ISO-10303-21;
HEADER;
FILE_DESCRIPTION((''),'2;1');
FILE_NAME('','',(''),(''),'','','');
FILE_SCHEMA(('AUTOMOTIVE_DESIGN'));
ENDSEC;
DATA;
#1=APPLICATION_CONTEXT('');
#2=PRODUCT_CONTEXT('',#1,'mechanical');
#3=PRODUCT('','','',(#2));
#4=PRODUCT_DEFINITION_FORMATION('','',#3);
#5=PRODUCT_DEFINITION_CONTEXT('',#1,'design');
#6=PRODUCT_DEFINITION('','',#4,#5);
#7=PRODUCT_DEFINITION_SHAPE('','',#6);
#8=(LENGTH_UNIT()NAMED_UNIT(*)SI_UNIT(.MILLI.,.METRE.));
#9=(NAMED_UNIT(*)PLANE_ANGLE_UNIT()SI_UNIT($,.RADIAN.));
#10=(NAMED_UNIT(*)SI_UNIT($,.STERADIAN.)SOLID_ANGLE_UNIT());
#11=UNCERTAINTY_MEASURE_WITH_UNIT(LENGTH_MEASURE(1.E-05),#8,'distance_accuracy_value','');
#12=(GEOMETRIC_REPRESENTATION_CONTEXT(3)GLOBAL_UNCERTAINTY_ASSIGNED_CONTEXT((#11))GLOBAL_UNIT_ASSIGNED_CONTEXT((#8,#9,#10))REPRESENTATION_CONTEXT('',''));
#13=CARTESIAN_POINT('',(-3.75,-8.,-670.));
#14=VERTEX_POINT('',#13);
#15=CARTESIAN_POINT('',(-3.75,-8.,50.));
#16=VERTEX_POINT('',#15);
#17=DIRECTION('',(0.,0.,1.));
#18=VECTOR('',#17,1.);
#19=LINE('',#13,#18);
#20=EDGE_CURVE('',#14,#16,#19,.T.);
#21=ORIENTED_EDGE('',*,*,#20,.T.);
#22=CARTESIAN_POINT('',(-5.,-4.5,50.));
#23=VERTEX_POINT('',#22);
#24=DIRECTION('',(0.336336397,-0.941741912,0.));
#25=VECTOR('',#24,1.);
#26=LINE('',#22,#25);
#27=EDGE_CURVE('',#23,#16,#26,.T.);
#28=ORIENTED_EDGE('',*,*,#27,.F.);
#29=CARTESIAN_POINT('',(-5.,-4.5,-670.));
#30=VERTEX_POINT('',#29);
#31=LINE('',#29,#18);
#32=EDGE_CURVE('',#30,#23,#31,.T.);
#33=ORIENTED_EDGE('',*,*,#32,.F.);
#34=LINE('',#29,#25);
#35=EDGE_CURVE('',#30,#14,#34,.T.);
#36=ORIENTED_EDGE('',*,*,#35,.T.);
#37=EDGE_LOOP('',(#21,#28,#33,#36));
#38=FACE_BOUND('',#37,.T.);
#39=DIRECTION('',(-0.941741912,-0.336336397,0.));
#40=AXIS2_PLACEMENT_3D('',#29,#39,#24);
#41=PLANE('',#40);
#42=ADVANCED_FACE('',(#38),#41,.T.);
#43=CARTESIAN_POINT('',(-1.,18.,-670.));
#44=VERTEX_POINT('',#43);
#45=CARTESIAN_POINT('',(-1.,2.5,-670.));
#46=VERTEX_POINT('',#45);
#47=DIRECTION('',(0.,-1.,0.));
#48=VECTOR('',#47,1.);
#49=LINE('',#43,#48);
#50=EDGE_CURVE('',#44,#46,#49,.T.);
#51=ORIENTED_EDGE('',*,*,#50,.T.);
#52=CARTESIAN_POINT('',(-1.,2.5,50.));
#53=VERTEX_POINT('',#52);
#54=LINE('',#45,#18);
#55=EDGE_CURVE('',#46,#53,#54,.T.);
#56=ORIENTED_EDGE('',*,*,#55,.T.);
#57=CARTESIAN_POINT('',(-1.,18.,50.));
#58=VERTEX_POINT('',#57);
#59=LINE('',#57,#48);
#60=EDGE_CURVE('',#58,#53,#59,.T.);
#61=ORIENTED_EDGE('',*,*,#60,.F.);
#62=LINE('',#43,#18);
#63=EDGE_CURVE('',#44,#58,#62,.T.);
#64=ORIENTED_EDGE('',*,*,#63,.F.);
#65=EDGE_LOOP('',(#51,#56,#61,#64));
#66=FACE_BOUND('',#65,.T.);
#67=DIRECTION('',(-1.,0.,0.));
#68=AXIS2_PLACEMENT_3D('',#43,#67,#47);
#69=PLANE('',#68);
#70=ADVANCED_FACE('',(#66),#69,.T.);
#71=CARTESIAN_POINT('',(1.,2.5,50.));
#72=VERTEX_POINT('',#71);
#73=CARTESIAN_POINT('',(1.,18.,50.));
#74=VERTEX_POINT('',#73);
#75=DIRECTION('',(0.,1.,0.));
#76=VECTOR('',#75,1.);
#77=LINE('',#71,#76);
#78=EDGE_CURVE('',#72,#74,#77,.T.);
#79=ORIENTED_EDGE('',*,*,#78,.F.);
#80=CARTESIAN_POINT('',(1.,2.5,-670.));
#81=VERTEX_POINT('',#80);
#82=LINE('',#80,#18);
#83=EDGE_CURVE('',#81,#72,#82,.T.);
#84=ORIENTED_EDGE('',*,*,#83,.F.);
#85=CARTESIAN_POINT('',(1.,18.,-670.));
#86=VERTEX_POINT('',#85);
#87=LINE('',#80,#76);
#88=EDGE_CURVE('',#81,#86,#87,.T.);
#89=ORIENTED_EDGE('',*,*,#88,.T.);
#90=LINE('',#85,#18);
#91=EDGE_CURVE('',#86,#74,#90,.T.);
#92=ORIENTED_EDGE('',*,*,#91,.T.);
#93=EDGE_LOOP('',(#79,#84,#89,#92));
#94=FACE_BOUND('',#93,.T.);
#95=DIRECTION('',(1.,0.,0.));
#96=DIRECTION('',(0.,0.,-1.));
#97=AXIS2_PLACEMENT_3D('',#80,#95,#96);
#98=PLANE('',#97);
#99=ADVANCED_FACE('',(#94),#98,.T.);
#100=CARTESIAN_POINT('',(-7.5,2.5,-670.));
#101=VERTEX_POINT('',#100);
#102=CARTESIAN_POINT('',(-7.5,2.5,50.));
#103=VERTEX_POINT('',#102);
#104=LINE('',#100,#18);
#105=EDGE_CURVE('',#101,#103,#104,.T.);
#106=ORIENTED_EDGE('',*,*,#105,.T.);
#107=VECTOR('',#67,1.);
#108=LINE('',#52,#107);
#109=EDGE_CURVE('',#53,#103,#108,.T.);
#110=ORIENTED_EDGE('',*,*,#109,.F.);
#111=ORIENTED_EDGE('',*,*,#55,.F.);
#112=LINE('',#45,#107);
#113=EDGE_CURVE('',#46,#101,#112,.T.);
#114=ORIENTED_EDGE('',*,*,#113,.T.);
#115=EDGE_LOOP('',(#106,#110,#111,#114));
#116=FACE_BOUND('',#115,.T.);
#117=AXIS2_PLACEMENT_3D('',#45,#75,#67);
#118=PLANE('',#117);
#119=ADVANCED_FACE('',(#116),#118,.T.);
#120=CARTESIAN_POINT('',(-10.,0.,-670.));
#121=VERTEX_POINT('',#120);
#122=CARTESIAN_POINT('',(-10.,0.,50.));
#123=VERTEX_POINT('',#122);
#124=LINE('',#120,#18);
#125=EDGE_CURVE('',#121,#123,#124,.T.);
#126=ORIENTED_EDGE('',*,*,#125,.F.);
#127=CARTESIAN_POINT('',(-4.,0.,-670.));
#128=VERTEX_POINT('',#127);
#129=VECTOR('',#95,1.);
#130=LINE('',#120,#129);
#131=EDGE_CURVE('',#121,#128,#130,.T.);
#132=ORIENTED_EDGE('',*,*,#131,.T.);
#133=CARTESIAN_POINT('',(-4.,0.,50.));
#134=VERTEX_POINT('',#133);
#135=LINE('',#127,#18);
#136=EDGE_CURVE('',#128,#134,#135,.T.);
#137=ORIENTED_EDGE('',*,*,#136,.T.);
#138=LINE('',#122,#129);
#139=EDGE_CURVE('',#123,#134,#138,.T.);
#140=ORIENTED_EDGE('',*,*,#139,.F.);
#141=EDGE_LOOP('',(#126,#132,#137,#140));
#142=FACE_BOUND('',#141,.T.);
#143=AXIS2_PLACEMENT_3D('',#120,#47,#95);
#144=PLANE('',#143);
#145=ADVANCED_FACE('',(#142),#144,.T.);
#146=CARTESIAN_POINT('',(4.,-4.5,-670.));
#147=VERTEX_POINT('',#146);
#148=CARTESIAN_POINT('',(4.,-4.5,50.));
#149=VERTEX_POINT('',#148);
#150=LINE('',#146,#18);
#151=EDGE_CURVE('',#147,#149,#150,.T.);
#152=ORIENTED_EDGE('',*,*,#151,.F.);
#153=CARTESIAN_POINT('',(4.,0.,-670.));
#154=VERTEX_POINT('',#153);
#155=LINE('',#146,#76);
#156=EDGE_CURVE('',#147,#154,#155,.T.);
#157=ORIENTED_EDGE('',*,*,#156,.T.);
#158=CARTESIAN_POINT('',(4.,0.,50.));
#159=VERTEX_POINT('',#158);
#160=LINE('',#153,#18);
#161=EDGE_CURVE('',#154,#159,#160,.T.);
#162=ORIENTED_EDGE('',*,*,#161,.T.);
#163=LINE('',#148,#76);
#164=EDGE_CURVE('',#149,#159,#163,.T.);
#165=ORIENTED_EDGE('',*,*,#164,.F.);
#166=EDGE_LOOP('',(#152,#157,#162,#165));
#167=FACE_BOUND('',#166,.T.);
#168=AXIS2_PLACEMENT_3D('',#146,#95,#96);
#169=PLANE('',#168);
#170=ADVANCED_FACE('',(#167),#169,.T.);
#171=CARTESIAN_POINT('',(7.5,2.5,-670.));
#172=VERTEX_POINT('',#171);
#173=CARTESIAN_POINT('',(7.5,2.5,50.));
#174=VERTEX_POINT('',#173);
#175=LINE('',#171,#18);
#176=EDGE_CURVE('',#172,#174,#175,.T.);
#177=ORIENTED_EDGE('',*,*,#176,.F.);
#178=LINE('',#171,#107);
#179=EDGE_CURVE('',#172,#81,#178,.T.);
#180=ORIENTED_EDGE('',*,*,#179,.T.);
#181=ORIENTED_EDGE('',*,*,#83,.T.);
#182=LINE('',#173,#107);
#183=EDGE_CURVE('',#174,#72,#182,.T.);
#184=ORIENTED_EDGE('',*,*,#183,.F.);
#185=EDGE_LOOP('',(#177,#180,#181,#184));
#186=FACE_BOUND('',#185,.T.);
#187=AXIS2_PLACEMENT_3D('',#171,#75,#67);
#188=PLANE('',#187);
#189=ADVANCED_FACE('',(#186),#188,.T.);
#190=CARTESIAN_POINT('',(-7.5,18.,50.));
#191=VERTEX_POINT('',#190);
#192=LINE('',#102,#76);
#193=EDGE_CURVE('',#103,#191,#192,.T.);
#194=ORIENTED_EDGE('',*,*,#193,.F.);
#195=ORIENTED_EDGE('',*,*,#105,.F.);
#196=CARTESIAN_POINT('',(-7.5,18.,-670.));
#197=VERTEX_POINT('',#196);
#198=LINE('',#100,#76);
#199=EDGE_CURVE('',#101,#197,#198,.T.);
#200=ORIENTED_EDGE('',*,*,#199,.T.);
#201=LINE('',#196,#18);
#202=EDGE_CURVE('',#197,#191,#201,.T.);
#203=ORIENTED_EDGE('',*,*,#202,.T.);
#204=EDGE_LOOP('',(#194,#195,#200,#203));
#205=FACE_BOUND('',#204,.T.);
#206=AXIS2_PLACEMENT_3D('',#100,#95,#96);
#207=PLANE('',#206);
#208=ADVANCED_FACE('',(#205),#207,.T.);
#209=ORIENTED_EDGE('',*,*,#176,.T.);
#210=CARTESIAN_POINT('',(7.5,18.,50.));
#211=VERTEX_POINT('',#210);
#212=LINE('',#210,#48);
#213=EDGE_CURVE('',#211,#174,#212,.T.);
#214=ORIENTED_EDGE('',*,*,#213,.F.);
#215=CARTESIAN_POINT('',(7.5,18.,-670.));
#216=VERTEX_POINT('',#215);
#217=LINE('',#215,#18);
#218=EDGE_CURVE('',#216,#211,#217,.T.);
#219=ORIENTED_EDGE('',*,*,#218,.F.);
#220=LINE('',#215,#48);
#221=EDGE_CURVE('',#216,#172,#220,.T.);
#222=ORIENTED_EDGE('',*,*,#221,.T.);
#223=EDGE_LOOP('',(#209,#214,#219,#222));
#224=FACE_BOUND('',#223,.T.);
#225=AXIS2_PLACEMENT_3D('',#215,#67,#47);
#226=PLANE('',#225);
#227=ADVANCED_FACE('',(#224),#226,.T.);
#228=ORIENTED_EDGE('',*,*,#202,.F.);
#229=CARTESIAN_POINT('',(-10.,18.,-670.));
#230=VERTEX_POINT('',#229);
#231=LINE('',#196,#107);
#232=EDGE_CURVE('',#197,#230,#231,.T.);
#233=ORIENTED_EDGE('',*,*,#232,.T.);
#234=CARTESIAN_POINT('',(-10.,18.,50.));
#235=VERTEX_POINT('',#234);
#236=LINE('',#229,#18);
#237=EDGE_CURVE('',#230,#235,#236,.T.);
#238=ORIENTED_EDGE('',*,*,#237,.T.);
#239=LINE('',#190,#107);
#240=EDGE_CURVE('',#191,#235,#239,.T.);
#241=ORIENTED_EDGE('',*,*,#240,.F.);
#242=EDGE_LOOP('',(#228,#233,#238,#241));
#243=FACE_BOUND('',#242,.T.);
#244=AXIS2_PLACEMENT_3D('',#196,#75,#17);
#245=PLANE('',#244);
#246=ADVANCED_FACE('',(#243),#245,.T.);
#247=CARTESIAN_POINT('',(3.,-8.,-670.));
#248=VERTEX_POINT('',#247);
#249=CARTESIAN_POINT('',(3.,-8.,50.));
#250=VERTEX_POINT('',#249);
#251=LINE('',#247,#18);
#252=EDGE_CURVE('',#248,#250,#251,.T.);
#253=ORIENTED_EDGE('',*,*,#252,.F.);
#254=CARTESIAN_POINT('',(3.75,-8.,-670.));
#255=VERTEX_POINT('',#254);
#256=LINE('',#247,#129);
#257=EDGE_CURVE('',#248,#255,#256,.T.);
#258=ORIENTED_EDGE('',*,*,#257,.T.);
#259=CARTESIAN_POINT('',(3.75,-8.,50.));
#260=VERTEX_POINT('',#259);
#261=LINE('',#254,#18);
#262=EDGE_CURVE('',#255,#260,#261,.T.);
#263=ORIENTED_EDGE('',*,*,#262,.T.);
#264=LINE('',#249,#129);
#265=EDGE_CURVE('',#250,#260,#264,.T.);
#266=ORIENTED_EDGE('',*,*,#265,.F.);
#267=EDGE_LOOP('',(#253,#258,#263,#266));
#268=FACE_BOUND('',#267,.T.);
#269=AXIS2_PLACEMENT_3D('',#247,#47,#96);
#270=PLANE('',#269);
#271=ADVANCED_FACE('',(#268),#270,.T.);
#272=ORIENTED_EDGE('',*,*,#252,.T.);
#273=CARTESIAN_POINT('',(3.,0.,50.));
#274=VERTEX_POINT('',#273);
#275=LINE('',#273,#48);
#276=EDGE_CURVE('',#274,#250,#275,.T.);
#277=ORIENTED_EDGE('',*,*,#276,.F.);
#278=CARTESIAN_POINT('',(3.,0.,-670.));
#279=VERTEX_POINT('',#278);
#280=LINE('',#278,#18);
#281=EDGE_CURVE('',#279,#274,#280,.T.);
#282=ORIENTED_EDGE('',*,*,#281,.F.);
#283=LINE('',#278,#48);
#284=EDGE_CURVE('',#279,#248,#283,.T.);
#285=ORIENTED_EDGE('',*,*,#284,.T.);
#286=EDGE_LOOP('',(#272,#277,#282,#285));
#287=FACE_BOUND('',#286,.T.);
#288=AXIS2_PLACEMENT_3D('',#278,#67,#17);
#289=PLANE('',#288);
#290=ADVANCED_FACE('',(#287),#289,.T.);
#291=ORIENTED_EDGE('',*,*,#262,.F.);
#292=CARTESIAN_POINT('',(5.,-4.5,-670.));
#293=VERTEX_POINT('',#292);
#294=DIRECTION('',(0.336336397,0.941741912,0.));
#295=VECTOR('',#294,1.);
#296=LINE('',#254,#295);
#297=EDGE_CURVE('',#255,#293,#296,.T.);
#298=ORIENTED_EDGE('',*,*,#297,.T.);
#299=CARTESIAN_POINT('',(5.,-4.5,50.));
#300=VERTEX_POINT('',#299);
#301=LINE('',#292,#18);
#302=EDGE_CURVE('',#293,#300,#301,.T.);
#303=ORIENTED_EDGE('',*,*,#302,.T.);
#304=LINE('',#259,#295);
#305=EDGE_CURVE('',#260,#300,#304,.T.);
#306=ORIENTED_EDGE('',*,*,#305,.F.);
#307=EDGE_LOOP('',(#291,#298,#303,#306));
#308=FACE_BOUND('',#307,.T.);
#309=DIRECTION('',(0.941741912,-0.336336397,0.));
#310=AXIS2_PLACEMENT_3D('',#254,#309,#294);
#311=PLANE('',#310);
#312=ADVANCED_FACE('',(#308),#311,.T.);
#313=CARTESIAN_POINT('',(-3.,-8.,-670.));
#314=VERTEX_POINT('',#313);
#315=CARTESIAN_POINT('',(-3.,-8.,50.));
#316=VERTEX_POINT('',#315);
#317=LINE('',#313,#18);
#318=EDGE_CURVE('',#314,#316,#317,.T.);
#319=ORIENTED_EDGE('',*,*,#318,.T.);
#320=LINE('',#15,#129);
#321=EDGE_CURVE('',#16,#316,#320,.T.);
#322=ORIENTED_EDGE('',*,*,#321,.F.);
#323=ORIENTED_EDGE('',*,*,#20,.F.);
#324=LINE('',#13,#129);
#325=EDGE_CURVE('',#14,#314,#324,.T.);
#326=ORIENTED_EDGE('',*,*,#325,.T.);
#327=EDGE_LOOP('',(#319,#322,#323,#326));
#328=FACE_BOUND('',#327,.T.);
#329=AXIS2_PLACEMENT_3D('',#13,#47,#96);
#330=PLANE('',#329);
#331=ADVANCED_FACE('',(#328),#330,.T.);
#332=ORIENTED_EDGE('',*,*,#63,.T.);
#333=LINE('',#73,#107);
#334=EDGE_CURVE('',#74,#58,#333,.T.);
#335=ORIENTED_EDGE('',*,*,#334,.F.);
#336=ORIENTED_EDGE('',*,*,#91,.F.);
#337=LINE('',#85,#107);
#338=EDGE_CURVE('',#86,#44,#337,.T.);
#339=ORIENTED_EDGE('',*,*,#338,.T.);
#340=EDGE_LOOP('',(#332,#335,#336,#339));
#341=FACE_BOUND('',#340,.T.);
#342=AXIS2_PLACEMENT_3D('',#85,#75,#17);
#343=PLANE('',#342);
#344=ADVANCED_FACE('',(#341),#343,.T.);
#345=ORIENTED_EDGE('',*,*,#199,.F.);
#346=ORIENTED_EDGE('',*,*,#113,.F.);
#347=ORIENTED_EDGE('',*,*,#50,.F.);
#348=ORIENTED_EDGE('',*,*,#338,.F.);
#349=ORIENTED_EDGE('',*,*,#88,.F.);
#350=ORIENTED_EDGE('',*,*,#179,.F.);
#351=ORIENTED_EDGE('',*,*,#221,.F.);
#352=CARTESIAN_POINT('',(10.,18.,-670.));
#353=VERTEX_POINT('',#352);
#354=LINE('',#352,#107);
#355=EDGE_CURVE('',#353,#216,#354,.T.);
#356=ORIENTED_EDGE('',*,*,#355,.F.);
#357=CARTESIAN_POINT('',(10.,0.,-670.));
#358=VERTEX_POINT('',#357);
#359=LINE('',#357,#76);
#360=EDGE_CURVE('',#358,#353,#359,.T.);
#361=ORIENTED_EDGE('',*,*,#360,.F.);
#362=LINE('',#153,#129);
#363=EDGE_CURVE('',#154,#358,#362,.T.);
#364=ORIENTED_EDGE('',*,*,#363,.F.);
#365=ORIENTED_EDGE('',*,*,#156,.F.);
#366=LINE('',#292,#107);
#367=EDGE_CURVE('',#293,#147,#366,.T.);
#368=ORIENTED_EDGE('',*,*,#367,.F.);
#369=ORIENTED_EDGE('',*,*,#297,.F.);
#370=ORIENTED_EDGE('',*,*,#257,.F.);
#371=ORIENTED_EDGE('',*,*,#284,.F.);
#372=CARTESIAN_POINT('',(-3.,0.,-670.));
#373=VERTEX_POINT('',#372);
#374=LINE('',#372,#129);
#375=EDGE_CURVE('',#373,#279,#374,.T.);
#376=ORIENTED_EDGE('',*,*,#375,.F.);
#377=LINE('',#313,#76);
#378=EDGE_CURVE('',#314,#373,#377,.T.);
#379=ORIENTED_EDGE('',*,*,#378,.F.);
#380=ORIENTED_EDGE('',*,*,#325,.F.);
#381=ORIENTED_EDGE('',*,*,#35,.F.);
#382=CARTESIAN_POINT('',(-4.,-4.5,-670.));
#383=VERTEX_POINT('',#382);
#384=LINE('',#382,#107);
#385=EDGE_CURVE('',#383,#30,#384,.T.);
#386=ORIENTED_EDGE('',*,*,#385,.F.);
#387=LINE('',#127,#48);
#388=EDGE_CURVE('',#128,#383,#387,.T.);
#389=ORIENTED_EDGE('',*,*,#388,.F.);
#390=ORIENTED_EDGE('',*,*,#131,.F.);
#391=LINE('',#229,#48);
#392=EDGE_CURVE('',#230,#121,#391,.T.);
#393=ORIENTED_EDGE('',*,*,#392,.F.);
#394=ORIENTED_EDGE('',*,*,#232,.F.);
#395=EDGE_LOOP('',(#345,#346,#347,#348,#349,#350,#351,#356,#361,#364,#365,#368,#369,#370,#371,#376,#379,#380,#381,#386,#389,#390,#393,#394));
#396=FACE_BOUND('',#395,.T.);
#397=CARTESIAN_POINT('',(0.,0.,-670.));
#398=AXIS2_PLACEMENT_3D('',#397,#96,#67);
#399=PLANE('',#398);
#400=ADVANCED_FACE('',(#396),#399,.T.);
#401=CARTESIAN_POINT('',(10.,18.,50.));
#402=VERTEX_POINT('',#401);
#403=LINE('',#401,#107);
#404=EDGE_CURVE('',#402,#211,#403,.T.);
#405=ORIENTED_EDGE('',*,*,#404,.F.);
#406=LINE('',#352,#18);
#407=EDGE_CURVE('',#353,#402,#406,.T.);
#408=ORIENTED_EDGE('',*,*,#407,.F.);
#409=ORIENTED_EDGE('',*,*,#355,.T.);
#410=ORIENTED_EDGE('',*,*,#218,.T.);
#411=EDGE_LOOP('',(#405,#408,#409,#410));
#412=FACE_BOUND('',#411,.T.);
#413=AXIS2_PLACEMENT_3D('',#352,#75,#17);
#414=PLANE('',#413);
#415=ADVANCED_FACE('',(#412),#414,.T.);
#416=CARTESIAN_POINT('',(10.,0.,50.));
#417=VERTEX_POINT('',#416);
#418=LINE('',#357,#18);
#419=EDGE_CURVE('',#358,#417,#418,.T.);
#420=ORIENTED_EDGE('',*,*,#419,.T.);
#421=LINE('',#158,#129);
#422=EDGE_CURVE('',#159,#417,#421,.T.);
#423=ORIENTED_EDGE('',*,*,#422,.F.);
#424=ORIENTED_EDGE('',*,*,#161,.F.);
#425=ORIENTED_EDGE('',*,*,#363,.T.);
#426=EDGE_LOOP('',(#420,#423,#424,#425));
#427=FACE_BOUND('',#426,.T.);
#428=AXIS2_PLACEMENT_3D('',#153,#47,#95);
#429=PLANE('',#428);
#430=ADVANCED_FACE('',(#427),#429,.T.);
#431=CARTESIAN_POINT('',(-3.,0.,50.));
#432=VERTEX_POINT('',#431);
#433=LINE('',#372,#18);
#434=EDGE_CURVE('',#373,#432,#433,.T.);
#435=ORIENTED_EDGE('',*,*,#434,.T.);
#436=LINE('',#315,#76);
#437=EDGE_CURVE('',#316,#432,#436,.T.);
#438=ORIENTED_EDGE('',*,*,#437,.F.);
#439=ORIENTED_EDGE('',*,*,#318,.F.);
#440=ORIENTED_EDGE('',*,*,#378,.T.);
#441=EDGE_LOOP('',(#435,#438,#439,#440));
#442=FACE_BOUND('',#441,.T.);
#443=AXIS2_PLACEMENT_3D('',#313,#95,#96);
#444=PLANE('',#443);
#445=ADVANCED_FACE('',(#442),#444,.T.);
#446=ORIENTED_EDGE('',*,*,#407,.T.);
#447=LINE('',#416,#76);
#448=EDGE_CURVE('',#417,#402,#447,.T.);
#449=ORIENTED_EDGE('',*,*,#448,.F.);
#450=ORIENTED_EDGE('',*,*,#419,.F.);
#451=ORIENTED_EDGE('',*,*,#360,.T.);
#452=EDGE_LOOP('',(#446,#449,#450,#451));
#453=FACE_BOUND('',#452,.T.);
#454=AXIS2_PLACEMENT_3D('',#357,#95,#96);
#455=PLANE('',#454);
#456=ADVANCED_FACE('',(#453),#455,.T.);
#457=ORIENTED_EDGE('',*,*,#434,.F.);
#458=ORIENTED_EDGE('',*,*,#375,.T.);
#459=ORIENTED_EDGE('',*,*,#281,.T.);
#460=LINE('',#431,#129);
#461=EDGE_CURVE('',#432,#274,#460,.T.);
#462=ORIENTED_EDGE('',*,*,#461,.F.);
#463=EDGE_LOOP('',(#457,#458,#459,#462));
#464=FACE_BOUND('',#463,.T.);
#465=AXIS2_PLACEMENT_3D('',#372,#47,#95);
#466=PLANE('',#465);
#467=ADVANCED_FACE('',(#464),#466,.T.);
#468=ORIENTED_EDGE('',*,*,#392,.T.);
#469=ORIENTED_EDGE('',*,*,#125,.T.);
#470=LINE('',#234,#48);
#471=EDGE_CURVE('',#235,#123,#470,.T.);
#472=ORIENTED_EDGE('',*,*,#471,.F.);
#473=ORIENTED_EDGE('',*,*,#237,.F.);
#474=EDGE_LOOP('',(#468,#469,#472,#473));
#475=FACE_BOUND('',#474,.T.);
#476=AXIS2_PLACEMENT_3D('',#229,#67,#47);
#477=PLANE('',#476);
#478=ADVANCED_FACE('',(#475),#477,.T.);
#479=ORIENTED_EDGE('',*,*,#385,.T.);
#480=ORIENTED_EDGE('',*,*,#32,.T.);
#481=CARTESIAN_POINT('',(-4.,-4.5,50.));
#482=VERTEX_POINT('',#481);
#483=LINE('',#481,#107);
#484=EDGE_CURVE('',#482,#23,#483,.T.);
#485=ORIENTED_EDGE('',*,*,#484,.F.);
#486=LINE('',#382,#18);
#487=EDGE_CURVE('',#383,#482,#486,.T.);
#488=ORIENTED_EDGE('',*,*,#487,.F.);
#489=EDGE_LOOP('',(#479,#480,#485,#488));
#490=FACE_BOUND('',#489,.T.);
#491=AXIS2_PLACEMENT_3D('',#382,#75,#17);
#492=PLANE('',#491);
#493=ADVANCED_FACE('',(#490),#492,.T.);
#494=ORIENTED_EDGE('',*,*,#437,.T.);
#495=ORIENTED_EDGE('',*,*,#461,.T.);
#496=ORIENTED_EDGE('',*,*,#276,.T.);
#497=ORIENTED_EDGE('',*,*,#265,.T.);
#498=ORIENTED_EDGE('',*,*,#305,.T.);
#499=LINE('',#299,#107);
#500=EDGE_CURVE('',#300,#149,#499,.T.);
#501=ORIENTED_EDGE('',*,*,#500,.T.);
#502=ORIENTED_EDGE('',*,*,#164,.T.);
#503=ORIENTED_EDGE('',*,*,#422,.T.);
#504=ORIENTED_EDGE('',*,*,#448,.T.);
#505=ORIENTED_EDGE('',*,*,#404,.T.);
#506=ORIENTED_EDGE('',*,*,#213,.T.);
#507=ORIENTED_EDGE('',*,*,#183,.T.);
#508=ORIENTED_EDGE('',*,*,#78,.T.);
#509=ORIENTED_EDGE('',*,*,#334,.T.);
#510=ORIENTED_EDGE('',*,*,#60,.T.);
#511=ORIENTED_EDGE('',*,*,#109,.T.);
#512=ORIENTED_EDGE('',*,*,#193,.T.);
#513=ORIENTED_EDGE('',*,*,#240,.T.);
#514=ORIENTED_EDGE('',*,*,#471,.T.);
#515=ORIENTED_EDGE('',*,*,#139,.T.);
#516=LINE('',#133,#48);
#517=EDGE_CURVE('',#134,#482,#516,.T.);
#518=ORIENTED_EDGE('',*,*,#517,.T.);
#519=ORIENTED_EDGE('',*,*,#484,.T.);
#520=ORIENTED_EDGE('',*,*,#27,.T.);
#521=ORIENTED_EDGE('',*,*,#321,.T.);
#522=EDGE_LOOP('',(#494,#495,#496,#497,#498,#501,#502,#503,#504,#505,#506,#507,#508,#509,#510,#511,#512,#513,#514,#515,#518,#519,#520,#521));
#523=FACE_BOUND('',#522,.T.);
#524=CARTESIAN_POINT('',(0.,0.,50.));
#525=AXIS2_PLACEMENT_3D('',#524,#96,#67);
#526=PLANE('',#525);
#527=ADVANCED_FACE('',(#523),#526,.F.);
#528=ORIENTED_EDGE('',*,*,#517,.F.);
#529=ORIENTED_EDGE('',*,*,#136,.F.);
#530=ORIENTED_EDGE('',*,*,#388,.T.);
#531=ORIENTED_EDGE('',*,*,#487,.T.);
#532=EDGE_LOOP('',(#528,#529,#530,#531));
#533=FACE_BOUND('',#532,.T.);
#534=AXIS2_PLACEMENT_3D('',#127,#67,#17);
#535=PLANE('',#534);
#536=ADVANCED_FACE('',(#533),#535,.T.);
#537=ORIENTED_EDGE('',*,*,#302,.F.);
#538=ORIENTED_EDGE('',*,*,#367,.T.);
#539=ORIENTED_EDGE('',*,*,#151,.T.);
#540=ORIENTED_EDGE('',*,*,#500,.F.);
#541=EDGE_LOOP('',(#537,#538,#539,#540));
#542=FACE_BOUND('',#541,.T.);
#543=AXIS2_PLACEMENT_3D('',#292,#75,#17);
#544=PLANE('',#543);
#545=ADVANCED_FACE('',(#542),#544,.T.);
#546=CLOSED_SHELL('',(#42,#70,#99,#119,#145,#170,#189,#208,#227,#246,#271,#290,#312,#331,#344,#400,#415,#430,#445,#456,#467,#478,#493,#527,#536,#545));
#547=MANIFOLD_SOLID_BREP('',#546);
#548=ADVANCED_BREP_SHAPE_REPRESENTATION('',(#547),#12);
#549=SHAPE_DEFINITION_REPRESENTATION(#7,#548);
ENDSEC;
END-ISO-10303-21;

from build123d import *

# Parameters (mm, degrees)
BOSS_EXTRU_1_DEPTH = 720


with BuildPart() as part:
    # Esquisse1 → Boss.-Extru.1 (new body)
    with BuildSketch(Plane.XY.offset(50)):
        Polygon((-1, 2.5), (-7.5, 2.5), (-7.5, 17.999999998), (-10, 17.999999998), (-10, 0), (-4, 0), (-4, -4.5), (-5, -4.5), (-3.75, -8), (-3, -8), (-3, 0), (3, 0), (3, -8), (3.75, -8), (5, -4.5), (4, -4.5), (4, 0), (10, 0), (10, 17.999999998), (7.5, 17.999999998), (7.5, 2.5), (1, 2.5), (1, 17.999999998), (-1, 17.999999998), align=None)
    extrude(amount=-BOSS_EXTRU_1_DEPTH)


solid = part.part
